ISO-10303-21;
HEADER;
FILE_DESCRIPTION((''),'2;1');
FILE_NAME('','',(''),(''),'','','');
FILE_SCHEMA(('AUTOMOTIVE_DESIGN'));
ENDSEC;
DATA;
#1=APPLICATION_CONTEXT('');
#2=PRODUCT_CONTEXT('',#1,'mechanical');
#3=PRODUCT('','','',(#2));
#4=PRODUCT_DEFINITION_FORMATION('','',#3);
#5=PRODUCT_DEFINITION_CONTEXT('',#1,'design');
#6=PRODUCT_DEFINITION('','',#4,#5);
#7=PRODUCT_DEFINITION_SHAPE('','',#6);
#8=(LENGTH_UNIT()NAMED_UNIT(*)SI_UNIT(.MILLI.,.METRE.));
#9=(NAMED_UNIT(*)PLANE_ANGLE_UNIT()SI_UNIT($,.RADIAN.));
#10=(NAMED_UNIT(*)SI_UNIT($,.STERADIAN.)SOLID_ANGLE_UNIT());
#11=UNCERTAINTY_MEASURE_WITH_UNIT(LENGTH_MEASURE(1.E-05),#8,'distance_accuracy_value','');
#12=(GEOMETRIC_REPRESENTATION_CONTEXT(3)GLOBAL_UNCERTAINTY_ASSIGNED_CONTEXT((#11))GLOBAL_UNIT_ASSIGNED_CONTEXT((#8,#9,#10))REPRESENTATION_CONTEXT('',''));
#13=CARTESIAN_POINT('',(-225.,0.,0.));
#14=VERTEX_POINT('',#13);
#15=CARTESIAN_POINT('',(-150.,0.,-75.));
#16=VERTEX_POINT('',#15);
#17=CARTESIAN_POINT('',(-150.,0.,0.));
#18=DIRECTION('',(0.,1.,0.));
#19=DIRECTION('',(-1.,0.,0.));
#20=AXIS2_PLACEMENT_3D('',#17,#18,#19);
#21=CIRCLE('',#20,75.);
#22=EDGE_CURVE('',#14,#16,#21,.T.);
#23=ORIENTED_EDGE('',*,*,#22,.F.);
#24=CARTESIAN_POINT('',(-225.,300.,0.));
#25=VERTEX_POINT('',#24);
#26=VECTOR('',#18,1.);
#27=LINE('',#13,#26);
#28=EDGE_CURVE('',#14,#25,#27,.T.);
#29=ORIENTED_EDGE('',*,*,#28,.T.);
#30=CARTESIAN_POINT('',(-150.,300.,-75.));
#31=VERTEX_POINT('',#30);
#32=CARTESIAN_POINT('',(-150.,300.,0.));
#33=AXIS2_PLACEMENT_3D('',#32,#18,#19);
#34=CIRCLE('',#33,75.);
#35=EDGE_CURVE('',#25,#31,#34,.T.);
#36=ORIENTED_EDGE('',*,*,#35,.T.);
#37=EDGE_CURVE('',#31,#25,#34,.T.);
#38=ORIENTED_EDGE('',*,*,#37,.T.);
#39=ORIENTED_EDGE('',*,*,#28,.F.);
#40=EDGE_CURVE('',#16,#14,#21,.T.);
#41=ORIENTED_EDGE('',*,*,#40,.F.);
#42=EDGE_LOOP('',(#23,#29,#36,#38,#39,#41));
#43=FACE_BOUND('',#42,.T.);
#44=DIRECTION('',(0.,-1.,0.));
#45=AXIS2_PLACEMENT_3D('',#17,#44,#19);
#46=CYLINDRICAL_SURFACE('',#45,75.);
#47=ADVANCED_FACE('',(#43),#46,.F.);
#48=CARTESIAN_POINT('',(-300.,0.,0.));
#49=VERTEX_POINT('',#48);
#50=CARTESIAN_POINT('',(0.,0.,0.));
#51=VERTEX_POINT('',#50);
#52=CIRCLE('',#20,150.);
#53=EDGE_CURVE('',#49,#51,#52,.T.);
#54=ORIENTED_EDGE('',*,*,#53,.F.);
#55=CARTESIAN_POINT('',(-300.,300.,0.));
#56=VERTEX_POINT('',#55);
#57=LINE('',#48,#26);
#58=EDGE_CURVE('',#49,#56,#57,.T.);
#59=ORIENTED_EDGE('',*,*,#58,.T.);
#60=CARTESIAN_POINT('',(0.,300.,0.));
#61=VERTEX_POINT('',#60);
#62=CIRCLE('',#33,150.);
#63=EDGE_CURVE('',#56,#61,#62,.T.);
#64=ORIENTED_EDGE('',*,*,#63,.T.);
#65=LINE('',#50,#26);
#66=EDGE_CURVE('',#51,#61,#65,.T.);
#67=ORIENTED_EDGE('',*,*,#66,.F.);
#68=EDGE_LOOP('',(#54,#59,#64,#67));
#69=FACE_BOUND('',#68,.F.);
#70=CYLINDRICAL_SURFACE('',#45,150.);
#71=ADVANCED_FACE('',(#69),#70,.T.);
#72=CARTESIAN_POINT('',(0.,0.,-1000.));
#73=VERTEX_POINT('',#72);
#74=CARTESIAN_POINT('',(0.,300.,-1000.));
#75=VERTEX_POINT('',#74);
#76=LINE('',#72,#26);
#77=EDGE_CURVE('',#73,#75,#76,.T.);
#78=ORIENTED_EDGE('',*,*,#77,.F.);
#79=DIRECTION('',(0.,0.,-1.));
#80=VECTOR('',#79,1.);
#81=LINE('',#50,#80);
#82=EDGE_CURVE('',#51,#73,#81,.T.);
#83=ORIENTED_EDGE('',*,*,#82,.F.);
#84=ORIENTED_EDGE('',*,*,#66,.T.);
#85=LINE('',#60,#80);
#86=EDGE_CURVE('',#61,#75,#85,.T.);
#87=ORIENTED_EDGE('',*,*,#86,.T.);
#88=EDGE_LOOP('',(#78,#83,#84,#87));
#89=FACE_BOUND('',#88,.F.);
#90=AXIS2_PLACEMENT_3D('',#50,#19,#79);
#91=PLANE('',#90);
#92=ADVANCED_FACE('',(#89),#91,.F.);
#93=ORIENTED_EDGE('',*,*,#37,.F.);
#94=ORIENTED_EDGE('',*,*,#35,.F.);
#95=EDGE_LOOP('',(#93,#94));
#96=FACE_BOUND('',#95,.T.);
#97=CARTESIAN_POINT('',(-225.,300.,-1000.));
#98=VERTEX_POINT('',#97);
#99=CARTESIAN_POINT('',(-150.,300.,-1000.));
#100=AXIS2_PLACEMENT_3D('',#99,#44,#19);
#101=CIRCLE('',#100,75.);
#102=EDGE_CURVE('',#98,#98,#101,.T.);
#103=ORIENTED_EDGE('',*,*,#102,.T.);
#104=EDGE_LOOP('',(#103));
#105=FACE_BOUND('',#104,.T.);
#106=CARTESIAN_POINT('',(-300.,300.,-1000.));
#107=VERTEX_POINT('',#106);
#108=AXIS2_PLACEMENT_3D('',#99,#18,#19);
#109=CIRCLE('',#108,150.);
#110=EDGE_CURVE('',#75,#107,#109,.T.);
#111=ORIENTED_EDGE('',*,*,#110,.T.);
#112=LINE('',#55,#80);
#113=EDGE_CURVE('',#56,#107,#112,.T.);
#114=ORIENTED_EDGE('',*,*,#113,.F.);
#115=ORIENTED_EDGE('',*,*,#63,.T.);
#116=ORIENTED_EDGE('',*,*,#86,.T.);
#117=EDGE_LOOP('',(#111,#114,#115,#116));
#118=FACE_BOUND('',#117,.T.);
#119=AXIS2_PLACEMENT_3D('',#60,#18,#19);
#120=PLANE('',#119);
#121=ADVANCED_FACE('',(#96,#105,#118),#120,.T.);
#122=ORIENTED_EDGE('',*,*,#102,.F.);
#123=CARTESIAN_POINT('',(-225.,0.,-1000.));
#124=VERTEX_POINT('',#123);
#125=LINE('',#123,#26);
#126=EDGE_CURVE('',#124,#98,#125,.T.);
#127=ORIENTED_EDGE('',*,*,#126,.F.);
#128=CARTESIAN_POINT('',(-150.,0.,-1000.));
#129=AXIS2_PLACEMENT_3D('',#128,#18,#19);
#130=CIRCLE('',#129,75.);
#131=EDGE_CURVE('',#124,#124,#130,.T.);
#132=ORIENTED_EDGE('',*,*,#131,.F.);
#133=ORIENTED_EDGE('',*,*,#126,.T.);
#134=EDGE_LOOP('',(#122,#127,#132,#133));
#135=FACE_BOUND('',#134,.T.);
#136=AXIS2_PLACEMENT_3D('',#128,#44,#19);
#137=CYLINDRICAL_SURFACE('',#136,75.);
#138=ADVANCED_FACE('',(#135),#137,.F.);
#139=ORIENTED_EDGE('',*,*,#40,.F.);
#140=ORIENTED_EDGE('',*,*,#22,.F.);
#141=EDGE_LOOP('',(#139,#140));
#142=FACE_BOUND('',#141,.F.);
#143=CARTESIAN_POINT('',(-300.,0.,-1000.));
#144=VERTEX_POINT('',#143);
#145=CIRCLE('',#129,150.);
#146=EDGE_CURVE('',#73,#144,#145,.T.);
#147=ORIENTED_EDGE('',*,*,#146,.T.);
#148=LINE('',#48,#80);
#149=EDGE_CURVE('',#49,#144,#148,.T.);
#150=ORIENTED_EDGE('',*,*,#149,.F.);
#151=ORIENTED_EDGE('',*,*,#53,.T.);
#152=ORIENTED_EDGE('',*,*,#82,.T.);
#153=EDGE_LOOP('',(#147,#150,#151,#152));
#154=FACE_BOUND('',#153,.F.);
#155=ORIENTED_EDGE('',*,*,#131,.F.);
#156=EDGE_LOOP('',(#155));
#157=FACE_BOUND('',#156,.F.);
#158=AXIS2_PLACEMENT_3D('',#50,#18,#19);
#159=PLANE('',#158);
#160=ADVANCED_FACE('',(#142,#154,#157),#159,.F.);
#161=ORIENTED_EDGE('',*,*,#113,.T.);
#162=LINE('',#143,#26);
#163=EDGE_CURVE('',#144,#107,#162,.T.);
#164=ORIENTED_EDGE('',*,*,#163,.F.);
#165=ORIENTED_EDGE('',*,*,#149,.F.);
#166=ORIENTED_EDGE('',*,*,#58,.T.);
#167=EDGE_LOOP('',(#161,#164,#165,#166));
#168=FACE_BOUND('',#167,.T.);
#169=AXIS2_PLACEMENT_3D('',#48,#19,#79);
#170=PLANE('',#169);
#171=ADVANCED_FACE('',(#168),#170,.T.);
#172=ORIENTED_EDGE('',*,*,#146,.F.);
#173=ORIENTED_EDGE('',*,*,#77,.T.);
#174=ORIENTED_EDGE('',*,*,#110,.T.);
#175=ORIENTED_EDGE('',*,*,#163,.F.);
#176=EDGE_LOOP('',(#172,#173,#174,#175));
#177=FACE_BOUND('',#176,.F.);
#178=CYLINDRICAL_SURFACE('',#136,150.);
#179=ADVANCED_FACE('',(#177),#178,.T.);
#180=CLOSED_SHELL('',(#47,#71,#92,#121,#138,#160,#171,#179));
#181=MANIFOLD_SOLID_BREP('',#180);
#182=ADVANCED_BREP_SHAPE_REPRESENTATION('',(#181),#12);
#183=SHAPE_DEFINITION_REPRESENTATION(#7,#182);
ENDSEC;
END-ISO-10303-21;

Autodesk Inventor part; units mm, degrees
ref_plane "YZ Plane" through (0, 0, 0) normal (1, 0, 0) x (0, 1, 0)
ref_plane "XZ Plane" through (0, 0, 0) normal (0, 1, 0) x (-1, 0, 0)
ref_plane "XY Plane" through (0, 0, 0) normal (0, 0, 1) x (1, 0, 0)
sketch "Sketch1" plane through (0, 0, 0) normal (0, 1, 0) x (-1, 0, 0)
  line L0 (0, 0) -> (0, -1000)
  line L1 (0, -1000) -> (150, -1000)
  line L2 (150, -1000) -> (150, 0)
  circle A0 centre (150, 0) radius 150
  circle A1 centre (150, -1000) radius 150
  line L3 (300, 0) -> (300, -1000)
  circle A2 centre (150, 0) radius 75
  circle A3 centre (150, -1000) radius 75
  dimension "d0" = 1000
  dimension "d1" = 150
  dimension "d2" = 1000
  dimension "d3" = 150
  dimension "d4" = 150
extrude "Extrusion1" add sketch "Sketch1" along normal blind 300 contours A0 L2 A1 L0 | A0 | A1 L2 A3 L1 | L1 A3 L2 A1 | L3 A1 L2 A0
equation "\"BendRadius\" = Thickness"
equation "\"BendReliefWidth\" = Thickness"
equation "\"BendReliefDepth\" = 0.5 * Thickness"
equation "\"CornerReliefSize\" = 4 * Thickness"
equation "\"MinimumRemnant\" = 2 * Thickness"
equation "\"TransitionRadius\" = BendRadius"
equation "\"JacobiRadiusSize\" = BendRadius"
equation "\"GapSize\" = Thickness"
equation "\"Thickness\" = 0.5"
properties part number "Middle v2" material "Steel"
